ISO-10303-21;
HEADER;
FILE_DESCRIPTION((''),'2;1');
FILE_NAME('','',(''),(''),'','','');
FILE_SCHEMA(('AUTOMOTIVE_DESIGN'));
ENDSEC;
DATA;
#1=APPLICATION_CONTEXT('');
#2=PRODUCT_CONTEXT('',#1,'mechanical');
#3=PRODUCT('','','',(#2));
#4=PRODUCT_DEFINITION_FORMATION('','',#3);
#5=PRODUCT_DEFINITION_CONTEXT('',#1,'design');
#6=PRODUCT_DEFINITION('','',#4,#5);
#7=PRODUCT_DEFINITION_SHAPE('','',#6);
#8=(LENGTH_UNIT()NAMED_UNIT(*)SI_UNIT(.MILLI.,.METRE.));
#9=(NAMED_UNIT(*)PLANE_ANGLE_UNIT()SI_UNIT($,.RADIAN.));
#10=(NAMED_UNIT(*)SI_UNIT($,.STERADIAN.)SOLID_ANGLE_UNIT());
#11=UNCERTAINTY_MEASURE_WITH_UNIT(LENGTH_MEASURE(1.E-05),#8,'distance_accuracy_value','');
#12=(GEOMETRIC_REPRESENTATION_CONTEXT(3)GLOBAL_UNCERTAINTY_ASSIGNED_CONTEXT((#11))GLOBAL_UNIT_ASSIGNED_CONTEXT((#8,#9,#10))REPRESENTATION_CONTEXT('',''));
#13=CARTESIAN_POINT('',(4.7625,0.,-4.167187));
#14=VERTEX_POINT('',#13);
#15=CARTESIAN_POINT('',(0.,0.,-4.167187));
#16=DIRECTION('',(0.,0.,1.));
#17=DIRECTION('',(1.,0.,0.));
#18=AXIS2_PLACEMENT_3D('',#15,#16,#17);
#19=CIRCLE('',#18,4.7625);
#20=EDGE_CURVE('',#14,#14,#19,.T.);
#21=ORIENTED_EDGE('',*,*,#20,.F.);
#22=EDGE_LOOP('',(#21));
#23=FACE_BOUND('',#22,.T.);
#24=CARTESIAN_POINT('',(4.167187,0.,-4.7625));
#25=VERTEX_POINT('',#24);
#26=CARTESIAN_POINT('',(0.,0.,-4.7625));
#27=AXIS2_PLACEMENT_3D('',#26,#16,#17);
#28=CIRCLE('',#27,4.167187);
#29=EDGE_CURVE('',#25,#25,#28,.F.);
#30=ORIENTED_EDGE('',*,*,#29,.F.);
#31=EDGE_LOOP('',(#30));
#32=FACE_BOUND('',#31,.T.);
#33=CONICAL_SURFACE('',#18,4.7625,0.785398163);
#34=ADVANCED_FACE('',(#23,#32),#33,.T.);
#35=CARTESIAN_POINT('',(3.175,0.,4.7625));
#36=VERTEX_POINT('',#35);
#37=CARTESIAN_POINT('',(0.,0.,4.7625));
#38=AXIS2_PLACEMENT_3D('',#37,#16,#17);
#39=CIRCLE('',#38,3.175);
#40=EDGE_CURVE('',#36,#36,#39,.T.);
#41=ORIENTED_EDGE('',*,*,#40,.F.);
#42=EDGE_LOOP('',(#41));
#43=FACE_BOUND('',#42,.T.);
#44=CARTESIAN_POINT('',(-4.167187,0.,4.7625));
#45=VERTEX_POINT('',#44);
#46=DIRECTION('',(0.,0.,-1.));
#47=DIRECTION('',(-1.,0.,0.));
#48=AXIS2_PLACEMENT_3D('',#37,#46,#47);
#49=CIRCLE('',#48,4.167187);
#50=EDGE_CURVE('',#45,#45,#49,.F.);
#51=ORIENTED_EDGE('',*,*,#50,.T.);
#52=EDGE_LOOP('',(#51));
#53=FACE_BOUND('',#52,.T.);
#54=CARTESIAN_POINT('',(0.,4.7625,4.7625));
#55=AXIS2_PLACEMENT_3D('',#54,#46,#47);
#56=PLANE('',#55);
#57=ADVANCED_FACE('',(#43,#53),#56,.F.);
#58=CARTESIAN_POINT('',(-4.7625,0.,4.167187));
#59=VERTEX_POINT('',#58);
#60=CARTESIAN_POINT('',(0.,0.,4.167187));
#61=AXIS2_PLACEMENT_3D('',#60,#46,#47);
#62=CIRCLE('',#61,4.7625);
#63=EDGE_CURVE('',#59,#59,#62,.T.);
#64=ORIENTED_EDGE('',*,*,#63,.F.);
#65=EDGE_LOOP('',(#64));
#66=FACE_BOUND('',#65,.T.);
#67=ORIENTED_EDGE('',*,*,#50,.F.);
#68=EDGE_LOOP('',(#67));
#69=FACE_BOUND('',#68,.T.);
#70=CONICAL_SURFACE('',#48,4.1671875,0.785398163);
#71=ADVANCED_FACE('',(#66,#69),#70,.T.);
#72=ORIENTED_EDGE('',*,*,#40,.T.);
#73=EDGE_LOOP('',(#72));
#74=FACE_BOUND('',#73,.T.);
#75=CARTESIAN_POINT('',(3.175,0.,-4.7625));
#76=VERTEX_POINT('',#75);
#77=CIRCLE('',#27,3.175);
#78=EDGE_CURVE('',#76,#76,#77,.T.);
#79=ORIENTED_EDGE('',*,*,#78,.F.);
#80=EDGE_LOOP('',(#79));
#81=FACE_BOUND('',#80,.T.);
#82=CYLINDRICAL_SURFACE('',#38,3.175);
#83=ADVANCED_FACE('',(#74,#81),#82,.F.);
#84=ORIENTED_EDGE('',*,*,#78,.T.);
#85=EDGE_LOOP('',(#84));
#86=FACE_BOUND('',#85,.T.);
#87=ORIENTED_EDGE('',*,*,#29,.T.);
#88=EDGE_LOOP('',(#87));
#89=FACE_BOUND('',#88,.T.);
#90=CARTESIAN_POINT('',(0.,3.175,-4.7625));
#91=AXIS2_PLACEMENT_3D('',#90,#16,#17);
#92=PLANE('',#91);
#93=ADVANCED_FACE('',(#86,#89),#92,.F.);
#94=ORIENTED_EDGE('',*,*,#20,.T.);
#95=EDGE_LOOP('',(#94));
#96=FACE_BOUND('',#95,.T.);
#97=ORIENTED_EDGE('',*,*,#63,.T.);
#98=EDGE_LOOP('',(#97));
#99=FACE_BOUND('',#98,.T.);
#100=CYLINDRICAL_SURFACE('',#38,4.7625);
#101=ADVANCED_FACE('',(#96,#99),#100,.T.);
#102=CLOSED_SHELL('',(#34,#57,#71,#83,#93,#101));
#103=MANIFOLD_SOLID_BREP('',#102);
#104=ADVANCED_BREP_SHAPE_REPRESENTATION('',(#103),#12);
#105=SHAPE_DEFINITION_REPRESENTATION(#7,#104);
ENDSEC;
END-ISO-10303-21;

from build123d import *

# Parameters (mm, degrees)
SKETCH3_W     = 9.525
SKETCH3_H     = 1.5875
CHAMFER1_SIZE = 0.5953125


with BuildPart() as part:
    # Sketch3 → Revolve1 (revolve)
    with BuildSketch(Plane(origin=(0, 0, 0), x_dir=(0, 0, -1), z_dir=(1, 0, 0)), mode=Mode.PRIVATE) as revolve1_sk:
        with Locations((0, 3.96875)):
            Rectangle(SKETCH3_W, SKETCH3_H)
    revolve(revolve1_sk.sketch.rotate(Axis((0, 0, 4.7625), (0, 0, -1)), 90), axis=Axis((0, 0, 4.7625), (0, 0, -1)))

    # Chamfer1
    chamfer1_edges = [part.edges().sort_by_distance(p)[0] for p in [
        (-4.7625, 0, 4.7625),
        (-4.7625, 0, -4.7625),
    ]]
    chamfer(chamfer1_edges, length=CHAMFER1_SIZE)


solid = part.part
